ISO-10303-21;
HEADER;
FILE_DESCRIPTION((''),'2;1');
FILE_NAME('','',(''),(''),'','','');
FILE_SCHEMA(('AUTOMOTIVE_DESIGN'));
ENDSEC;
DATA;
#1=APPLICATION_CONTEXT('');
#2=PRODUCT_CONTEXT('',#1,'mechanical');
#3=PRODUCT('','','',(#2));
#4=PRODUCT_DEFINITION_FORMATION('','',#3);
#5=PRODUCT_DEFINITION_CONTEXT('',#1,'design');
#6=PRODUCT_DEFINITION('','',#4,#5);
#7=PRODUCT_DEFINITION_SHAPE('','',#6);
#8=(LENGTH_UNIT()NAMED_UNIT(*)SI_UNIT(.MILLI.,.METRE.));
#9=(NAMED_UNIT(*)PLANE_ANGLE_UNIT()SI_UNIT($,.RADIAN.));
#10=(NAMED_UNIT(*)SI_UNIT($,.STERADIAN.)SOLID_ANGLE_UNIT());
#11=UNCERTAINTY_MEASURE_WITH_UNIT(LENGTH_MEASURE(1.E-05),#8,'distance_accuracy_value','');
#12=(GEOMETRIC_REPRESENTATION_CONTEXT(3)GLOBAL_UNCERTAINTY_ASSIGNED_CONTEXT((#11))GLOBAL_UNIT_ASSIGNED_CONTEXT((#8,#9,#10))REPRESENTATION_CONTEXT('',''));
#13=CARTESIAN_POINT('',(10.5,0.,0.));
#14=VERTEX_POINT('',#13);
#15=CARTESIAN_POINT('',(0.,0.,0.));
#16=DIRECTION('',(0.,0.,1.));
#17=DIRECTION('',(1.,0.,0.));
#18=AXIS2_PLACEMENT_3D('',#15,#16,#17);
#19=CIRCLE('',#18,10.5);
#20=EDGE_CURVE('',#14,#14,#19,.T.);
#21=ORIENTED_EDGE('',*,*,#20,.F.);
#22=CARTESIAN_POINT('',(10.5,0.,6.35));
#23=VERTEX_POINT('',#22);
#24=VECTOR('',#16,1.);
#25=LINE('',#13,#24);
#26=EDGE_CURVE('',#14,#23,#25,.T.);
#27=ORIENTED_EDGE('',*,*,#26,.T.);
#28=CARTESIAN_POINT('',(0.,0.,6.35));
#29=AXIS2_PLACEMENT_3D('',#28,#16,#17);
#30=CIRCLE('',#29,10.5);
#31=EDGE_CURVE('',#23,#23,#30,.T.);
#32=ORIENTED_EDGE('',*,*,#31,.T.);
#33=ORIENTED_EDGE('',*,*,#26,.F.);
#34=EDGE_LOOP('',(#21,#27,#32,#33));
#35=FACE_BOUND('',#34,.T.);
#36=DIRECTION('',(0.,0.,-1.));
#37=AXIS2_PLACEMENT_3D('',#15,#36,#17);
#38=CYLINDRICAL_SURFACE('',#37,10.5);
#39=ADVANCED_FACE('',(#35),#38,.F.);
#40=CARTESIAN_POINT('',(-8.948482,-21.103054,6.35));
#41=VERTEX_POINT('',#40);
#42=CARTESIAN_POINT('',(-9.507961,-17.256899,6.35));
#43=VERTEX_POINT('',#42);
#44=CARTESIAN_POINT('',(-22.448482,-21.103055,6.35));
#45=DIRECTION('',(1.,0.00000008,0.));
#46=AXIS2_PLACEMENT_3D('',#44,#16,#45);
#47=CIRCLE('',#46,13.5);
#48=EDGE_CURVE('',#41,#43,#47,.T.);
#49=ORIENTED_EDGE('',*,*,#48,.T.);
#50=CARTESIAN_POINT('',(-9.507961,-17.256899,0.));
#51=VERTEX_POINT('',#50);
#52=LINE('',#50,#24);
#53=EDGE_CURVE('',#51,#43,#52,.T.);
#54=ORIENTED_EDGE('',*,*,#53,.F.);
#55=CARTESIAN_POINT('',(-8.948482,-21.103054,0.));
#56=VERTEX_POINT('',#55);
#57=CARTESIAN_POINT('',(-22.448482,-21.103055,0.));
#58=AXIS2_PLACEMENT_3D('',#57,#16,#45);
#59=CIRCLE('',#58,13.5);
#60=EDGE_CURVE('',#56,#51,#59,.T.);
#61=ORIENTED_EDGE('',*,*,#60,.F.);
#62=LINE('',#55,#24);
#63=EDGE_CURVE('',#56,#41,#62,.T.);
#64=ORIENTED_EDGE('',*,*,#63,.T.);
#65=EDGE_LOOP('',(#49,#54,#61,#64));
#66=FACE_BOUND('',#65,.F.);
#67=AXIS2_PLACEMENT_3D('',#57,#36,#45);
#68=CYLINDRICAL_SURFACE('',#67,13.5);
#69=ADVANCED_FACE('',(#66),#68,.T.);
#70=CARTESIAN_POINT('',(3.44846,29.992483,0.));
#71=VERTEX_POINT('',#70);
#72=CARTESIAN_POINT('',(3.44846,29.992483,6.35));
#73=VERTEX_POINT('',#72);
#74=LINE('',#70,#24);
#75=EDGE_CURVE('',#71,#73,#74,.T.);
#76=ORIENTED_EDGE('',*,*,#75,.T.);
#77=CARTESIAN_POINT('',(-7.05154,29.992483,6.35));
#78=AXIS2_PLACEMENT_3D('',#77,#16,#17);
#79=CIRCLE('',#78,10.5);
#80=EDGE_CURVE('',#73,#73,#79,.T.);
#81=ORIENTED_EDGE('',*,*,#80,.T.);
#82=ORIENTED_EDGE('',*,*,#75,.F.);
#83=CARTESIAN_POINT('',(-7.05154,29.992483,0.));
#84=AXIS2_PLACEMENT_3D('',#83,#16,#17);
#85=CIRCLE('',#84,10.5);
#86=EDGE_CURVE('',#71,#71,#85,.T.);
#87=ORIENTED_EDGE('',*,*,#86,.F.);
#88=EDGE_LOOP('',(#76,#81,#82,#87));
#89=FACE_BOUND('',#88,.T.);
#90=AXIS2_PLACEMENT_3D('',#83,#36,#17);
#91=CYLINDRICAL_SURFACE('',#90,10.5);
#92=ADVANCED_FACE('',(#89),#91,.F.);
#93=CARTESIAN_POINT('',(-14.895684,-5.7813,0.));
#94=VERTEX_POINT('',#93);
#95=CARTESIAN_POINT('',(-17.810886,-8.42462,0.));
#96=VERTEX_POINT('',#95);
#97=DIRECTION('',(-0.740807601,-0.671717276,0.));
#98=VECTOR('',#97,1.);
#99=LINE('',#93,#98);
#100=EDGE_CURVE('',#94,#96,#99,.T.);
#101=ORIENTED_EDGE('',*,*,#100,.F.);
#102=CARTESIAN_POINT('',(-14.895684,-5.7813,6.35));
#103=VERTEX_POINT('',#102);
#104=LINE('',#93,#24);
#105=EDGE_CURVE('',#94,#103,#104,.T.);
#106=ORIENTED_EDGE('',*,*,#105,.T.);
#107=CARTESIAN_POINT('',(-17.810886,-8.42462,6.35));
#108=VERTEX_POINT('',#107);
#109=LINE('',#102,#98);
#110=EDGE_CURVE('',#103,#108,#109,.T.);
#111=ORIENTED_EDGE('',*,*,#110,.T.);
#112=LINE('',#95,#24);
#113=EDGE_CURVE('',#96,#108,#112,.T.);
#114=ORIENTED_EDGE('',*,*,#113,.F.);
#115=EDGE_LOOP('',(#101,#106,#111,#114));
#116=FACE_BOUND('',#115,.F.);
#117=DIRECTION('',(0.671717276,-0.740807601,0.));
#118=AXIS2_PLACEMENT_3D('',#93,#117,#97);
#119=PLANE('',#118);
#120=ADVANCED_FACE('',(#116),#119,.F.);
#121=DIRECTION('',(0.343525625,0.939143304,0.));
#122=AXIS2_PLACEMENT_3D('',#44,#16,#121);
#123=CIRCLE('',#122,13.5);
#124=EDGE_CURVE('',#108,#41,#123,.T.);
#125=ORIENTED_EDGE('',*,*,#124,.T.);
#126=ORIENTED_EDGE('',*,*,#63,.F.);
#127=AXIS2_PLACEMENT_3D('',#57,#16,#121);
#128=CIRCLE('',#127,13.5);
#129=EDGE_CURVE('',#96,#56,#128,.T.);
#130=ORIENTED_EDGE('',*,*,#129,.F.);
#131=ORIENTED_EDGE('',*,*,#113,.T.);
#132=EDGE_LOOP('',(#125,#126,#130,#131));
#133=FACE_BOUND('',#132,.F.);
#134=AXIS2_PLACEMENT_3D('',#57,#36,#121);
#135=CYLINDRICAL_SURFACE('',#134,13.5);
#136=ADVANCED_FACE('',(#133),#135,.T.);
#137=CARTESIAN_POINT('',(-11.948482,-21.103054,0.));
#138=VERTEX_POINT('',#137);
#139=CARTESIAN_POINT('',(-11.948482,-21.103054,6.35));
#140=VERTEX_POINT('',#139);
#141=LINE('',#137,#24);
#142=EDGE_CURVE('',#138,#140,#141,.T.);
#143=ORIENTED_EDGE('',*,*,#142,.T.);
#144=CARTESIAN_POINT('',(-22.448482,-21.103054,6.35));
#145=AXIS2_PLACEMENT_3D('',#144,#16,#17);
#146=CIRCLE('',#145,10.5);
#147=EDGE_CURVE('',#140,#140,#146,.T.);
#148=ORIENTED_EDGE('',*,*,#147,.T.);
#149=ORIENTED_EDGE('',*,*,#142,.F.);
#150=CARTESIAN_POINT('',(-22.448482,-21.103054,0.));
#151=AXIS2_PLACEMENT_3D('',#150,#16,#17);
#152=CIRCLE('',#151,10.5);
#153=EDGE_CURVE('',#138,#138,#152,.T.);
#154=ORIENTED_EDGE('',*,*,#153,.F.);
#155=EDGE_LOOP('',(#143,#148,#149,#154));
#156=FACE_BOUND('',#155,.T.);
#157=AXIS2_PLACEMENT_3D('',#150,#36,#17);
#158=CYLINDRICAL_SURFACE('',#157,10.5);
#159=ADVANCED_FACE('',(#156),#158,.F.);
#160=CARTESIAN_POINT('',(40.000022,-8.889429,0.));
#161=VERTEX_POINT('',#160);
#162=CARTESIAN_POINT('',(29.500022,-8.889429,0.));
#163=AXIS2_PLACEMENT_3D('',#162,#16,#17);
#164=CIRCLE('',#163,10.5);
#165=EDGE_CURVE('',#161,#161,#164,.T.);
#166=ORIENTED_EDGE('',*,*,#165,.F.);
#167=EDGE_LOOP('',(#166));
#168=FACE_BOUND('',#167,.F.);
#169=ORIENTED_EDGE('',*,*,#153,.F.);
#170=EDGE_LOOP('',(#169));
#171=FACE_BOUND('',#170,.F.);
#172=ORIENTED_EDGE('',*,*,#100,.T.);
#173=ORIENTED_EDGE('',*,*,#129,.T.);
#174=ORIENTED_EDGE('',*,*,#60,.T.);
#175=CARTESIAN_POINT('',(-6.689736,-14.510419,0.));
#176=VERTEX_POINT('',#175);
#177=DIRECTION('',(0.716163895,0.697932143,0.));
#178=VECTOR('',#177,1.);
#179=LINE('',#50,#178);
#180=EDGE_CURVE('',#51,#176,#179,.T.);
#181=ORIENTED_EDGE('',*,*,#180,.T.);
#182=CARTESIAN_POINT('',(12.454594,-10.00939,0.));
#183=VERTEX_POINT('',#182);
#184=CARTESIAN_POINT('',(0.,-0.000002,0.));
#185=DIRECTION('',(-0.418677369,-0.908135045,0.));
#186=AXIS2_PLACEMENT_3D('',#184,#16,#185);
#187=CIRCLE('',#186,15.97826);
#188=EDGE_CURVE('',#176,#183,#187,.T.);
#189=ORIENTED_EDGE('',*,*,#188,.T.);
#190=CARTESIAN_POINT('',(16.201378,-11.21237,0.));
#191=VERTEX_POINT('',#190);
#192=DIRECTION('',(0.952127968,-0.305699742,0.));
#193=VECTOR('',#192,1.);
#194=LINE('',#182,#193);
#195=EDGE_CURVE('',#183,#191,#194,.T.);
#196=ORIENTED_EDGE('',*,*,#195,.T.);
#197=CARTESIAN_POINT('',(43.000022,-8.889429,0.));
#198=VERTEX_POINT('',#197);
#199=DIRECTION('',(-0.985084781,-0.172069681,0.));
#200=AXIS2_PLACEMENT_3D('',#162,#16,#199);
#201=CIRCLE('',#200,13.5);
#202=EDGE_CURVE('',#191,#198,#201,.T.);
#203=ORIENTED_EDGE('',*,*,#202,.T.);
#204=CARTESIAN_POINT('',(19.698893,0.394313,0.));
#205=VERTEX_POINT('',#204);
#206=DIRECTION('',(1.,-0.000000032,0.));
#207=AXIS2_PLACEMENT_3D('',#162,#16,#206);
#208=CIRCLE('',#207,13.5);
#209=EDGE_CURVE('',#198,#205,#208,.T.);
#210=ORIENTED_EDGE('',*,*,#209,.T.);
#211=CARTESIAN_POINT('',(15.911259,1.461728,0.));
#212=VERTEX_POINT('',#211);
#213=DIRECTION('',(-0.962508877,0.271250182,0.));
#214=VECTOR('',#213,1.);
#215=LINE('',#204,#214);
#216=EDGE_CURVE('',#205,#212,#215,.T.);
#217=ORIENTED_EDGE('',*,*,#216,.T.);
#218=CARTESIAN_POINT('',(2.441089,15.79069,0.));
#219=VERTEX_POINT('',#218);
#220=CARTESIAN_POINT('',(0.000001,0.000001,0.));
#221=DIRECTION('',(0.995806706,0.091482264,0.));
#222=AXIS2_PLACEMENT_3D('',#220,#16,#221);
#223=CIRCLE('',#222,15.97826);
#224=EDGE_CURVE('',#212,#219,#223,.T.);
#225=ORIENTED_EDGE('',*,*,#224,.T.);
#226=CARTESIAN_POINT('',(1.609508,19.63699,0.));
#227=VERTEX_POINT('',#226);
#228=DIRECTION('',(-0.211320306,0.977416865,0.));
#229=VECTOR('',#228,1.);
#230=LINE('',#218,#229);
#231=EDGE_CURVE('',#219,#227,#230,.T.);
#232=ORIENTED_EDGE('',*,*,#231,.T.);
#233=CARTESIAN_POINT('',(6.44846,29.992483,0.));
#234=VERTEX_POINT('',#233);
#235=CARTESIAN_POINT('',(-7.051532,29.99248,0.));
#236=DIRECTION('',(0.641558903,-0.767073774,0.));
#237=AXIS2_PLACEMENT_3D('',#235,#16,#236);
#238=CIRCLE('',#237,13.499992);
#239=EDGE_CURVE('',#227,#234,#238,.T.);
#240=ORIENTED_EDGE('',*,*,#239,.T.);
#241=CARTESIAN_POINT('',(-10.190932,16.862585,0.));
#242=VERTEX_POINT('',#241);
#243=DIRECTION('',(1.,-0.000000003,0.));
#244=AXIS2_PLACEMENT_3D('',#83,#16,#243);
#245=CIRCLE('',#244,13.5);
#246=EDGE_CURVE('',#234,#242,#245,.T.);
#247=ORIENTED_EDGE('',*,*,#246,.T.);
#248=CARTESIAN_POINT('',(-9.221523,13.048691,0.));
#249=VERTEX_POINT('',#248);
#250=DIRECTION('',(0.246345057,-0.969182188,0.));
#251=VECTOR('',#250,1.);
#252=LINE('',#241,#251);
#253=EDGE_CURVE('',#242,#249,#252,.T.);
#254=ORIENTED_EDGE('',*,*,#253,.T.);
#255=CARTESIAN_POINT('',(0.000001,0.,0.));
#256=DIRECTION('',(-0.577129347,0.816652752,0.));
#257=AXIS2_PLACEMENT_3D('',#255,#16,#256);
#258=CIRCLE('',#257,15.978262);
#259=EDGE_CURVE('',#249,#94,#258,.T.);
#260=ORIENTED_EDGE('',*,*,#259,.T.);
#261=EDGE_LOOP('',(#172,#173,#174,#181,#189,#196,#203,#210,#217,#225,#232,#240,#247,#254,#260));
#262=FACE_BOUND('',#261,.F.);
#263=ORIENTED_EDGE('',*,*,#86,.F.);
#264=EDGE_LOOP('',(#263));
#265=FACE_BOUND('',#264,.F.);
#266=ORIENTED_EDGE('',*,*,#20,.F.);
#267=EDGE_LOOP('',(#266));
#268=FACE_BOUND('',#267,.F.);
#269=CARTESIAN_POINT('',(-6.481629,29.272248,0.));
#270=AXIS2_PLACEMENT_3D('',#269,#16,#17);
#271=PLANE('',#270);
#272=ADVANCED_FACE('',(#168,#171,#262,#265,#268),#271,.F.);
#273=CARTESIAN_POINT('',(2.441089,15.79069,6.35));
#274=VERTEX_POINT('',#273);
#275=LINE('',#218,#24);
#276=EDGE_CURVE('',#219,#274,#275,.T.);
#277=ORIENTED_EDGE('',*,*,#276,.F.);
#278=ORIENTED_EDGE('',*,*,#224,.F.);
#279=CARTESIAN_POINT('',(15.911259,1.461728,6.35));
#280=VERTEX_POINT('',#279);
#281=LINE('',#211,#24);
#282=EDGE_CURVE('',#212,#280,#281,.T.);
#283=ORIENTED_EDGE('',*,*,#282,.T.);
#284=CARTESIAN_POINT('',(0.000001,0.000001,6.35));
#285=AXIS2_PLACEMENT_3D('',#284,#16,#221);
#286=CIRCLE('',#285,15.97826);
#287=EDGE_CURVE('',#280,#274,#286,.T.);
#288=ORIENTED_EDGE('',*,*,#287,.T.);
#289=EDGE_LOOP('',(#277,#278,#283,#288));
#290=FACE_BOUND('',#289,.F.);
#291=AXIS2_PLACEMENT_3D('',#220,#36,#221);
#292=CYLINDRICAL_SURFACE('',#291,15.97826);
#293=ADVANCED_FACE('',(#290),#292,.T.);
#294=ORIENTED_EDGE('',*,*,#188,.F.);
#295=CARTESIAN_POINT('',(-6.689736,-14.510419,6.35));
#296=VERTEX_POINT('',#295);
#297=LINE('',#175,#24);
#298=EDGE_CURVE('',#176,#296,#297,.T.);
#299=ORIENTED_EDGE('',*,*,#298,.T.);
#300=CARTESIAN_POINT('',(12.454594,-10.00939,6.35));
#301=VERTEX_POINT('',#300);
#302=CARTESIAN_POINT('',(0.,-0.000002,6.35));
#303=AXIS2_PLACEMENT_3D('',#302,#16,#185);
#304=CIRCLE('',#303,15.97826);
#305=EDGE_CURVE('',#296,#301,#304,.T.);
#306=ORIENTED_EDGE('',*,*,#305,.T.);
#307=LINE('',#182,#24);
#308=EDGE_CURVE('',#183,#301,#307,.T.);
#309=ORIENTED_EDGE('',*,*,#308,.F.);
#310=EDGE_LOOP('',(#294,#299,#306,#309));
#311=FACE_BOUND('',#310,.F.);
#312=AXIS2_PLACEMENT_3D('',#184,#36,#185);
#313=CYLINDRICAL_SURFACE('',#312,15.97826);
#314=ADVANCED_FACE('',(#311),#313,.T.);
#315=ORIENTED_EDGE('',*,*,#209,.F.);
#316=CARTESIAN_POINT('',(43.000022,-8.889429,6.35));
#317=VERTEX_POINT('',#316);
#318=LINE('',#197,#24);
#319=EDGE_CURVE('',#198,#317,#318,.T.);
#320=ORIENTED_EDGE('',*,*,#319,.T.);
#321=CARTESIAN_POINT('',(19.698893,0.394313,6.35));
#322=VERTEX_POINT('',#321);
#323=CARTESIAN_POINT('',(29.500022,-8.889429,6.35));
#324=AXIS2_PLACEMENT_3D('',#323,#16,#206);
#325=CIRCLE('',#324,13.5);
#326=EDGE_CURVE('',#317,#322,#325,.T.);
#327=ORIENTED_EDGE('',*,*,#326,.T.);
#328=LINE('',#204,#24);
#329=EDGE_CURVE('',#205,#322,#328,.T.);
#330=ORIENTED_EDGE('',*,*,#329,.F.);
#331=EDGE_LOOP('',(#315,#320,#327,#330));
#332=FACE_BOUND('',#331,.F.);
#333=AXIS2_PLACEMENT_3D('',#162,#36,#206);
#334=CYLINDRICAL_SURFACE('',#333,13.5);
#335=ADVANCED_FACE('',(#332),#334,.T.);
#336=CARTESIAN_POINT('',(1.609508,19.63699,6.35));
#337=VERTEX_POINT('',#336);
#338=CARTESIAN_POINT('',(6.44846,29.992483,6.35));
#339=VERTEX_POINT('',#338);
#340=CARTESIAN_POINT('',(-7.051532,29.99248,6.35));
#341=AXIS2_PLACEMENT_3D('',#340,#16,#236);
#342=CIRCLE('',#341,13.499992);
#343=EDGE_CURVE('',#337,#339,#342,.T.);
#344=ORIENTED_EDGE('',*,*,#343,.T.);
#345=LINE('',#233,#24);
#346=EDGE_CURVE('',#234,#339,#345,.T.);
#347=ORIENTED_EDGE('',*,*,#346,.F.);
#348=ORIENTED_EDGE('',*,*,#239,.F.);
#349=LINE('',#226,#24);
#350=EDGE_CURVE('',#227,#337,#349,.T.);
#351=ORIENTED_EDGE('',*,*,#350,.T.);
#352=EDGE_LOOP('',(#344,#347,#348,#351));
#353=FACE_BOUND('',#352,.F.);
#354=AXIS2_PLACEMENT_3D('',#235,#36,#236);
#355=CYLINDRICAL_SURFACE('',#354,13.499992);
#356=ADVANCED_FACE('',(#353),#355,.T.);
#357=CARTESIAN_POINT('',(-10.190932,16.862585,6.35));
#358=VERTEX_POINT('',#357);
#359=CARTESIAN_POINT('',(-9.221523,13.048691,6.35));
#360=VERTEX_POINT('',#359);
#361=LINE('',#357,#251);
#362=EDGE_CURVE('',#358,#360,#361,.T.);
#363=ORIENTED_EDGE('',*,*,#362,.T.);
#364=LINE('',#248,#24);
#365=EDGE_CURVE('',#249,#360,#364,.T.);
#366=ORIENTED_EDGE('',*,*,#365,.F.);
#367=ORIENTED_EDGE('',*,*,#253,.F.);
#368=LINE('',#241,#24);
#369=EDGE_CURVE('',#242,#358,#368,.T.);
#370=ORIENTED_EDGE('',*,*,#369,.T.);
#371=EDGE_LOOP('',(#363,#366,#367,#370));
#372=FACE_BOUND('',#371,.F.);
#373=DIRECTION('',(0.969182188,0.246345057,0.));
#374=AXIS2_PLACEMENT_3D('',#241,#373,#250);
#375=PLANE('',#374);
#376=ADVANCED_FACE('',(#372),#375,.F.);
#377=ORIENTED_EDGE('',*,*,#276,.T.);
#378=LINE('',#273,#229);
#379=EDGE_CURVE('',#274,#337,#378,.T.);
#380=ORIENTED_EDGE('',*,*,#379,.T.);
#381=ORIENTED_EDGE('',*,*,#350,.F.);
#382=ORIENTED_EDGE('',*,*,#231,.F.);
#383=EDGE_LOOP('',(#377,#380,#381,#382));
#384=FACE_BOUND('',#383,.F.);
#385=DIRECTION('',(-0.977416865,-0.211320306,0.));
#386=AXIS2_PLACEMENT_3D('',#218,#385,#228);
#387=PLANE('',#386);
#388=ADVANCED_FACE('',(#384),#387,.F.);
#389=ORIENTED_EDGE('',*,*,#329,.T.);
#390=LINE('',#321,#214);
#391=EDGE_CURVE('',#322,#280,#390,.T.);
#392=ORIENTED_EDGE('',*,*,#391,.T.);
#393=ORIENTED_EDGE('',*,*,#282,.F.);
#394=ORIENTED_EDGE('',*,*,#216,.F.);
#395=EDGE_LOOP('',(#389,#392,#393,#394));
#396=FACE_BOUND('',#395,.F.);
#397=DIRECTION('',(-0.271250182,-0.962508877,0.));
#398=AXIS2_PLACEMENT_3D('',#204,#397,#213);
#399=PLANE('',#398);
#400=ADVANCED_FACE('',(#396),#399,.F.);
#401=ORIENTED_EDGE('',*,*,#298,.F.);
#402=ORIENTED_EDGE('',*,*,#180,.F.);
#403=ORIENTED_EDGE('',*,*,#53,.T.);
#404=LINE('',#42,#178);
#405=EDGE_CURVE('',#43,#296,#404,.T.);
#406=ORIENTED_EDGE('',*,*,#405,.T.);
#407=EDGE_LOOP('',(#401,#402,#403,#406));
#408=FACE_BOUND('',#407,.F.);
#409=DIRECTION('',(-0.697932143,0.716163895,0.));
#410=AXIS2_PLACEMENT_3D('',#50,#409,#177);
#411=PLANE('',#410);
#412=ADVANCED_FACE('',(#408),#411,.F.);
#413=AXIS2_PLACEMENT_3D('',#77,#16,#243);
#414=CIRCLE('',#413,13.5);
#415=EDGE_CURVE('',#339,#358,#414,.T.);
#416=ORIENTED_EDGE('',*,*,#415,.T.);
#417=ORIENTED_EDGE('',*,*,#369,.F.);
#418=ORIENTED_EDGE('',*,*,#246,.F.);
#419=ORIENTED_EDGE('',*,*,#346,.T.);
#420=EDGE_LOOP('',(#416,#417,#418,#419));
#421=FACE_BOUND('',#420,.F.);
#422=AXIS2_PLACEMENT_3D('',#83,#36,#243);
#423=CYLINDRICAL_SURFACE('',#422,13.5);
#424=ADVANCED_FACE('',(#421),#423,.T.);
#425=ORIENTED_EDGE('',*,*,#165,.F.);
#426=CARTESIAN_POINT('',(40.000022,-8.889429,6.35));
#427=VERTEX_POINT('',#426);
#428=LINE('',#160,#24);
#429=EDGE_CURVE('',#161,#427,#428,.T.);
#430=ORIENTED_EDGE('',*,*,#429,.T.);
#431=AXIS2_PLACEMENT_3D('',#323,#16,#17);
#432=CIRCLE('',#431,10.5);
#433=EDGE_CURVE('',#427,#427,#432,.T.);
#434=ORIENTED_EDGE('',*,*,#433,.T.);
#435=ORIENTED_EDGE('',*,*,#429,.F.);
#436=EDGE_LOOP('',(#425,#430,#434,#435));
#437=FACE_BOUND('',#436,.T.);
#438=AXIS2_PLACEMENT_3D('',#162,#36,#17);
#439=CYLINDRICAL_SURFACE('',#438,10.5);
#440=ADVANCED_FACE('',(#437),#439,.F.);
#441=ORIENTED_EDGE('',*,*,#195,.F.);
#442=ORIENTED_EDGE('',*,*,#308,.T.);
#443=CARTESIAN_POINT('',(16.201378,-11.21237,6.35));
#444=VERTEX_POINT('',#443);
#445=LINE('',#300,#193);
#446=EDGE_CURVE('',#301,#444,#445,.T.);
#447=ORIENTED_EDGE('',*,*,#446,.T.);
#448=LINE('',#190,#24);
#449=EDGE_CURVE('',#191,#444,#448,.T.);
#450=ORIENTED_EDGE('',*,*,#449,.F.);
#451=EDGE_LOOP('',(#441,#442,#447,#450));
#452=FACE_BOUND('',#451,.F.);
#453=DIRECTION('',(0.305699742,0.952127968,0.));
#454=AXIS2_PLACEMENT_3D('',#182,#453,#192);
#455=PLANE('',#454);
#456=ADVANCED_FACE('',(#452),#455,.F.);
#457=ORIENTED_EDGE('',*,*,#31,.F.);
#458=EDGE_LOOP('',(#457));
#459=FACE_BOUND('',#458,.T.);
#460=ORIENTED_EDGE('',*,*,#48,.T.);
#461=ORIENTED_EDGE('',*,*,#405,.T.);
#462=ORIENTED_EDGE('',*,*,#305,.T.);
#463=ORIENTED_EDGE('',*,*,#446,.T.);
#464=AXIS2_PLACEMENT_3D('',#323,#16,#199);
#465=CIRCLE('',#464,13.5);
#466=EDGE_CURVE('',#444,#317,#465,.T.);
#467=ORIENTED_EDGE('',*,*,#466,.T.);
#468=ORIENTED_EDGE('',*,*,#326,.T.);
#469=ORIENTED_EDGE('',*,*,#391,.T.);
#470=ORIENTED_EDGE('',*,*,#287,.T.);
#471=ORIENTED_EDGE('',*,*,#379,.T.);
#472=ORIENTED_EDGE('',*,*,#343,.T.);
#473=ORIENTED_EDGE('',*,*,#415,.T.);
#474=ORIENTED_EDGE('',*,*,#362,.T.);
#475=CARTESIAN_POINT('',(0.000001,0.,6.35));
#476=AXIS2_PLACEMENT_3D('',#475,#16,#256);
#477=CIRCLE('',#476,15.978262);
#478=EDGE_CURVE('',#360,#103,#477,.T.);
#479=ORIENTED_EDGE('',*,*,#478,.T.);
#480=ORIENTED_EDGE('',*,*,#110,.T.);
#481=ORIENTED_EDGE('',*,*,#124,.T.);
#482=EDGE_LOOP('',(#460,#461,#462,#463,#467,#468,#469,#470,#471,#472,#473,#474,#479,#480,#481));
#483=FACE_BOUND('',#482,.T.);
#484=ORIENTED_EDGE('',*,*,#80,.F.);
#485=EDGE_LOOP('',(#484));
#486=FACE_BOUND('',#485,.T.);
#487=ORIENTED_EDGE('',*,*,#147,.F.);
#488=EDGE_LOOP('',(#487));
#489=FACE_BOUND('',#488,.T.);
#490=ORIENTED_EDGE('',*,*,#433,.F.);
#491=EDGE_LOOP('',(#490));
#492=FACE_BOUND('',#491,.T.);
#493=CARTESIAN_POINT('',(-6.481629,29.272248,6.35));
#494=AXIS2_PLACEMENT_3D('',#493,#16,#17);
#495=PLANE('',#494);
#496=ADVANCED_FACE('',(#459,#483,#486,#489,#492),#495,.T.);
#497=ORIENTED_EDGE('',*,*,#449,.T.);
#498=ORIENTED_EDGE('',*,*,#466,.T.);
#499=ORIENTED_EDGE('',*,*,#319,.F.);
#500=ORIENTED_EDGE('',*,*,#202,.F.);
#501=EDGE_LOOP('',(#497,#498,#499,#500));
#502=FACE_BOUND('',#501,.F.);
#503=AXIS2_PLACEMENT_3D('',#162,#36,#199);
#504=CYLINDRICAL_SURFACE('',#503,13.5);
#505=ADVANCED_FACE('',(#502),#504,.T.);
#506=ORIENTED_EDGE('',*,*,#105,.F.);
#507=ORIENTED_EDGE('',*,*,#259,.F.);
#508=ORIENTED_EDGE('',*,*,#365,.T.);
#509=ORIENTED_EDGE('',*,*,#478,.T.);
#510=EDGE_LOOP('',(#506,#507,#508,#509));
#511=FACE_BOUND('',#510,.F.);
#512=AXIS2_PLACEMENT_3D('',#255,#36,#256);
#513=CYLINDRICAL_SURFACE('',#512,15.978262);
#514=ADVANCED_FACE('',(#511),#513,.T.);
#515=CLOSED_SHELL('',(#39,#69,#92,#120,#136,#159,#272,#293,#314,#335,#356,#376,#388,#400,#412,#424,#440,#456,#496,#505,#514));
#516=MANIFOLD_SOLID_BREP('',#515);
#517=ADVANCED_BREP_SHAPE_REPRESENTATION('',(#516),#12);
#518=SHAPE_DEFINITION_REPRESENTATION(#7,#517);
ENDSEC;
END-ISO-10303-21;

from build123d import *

# Parameters (mm, degrees)
F0_R     = 10.5
F1_DEPTH = 6.35


with BuildPart() as f1:
    # F0 (on Top) → F1 (new body)
    with BuildSketch(Plane.XY):
        with BuildLine():
            ThreePointArc((6.44846, 29.992483), (-15.414201, 40.590403), (-10.190932, 16.862585))
            ThreePointArc((-10.190932, 16.862585), (-3.961799, 16.850813), (1.609508, 19.63699))
            ThreePointArc((1.609508, 19.63699), (5.17904, 24.277334), (6.44846, 29.992483))
        make_face()
        with Locations((-7.05154, 29.992483)):
            Circle(F0_R, mode=Mode.SUBTRACT)
        with BuildLine():
            Line((-14.895684, -5.7813), (-6.689736, -14.510419))
            ThreePointArc((-6.689736, -14.510419), (3.65694, -15.554151), (12.454594, -10.00939))
            Line((12.454594, -10.00939), (16.201378, -11.21237))
            ThreePointArc((16.201378, -11.21237), (16.574131, -4.994388), (19.698893, 0.394313))
            Line((19.698893, 0.394313), (15.911259, 1.461728))
            ThreePointArc((15.911259, 1.461728), (11.64182, 10.944078), (2.441089, 15.79069))
            Line((2.441089, 15.79069), (1.609508, 19.63699))
            ThreePointArc((1.609508, 19.63699), (-3.961799, 16.850813), (-10.190932, 16.862585))
            Line((-10.190932, 16.862585), (-9.221523, 13.048691))
            ThreePointArc((-9.221523, 13.048691), (-15.29876, 4.610072), (-14.895684, -5.7813))
        make_face()
        Circle(F0_R, mode=Mode.SUBTRACT)
        with BuildLine():
            Line((-9.507961, -17.256899), (-6.689736, -14.510419))
            Line((-6.689736, -14.510419), (-14.895684, -5.7813))
            Line((-14.895684, -5.7813), (-17.810886, -8.42462))
            ThreePointArc((-17.810886, -8.42462), (-12.612333, -11.856425), (-9.507961, -17.256899))
        make_face()
        with BuildLine():
            ThreePointArc((19.698893, 0.394313), (16.574131, -4.994388), (16.201378, -11.21237))
            ThreePointArc((16.201378, -11.21237), (30.665848, -22.338996), (43.000022, -8.889429))
            ThreePointArc((43.000022, -8.889429), (34.496759, 3.651808), (19.698893, 0.394313))
        make_face()
        with Locations((29.500022, -8.889429)):
            Circle(F0_R, mode=Mode.SUBTRACT)
        with BuildLine():
            ThreePointArc((-8.948482, -21.103054), (-9.089084, -19.159737), (-9.507961, -17.256899))
            ThreePointArc((-9.507961, -17.256899), (-12.612333, -11.856425), (-17.810886, -8.42462))
            ThreePointArc((-17.810886, -8.42462), (-33.513236, -28.837472), (-8.948482, -21.103054))
        make_face()
        with Locations((-22.448482, -21.103054)):
            Circle(F0_R, mode=Mode.SUBTRACT)
    extrude(amount=F1_DEPTH)


solid = f1.part
